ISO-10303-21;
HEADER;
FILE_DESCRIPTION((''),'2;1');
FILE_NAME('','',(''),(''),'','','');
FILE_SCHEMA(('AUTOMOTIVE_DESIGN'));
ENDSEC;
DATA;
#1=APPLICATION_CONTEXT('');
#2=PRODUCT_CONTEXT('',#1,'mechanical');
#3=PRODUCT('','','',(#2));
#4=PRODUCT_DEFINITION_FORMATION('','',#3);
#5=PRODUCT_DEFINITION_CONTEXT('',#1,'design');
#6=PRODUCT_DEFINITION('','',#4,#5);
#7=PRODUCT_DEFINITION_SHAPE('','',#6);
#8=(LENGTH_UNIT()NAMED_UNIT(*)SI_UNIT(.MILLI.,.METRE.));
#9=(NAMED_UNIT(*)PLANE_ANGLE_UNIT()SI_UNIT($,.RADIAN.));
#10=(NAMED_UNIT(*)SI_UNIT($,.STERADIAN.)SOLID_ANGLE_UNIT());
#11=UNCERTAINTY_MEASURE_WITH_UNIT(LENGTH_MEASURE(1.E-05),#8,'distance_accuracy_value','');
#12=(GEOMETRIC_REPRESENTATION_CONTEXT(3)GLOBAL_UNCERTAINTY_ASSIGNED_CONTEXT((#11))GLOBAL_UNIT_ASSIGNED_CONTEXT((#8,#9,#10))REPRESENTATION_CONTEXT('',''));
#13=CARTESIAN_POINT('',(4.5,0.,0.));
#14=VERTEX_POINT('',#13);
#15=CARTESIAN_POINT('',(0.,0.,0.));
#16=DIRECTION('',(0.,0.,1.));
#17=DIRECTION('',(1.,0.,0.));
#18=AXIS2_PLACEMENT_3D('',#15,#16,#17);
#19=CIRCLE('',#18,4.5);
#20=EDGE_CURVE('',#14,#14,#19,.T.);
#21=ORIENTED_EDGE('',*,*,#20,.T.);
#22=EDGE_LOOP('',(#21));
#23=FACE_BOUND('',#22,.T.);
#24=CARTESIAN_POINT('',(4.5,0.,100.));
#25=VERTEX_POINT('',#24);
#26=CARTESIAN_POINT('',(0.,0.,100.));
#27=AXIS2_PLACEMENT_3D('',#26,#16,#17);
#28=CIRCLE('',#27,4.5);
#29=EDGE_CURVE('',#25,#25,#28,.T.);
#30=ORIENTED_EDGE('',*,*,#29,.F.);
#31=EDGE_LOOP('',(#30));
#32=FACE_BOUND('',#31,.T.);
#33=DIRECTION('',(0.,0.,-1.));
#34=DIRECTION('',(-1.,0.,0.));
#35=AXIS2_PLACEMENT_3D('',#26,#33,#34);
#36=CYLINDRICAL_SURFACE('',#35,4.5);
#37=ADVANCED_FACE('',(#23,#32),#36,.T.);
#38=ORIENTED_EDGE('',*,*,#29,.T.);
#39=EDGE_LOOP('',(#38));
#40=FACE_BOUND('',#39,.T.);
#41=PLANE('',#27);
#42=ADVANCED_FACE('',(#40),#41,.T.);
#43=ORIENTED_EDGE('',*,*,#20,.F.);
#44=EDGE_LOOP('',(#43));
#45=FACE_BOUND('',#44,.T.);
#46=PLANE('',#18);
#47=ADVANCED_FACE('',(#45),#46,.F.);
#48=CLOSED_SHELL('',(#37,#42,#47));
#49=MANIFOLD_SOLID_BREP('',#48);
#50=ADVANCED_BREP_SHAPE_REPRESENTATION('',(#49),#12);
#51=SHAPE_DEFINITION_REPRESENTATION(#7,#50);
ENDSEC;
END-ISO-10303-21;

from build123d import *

# Parameters (mm, degrees)
SKETCH1_R           = 4.5
BOSS_EXTRUDE1_DEPTH = 100


with BuildPart() as part:
    # Sketch1 → Boss-Extrude1 (new body)
    with BuildSketch(Plane.XY):
        Circle(SKETCH1_R)
    extrude(amount=BOSS_EXTRUDE1_DEPTH)


solid = part.part
